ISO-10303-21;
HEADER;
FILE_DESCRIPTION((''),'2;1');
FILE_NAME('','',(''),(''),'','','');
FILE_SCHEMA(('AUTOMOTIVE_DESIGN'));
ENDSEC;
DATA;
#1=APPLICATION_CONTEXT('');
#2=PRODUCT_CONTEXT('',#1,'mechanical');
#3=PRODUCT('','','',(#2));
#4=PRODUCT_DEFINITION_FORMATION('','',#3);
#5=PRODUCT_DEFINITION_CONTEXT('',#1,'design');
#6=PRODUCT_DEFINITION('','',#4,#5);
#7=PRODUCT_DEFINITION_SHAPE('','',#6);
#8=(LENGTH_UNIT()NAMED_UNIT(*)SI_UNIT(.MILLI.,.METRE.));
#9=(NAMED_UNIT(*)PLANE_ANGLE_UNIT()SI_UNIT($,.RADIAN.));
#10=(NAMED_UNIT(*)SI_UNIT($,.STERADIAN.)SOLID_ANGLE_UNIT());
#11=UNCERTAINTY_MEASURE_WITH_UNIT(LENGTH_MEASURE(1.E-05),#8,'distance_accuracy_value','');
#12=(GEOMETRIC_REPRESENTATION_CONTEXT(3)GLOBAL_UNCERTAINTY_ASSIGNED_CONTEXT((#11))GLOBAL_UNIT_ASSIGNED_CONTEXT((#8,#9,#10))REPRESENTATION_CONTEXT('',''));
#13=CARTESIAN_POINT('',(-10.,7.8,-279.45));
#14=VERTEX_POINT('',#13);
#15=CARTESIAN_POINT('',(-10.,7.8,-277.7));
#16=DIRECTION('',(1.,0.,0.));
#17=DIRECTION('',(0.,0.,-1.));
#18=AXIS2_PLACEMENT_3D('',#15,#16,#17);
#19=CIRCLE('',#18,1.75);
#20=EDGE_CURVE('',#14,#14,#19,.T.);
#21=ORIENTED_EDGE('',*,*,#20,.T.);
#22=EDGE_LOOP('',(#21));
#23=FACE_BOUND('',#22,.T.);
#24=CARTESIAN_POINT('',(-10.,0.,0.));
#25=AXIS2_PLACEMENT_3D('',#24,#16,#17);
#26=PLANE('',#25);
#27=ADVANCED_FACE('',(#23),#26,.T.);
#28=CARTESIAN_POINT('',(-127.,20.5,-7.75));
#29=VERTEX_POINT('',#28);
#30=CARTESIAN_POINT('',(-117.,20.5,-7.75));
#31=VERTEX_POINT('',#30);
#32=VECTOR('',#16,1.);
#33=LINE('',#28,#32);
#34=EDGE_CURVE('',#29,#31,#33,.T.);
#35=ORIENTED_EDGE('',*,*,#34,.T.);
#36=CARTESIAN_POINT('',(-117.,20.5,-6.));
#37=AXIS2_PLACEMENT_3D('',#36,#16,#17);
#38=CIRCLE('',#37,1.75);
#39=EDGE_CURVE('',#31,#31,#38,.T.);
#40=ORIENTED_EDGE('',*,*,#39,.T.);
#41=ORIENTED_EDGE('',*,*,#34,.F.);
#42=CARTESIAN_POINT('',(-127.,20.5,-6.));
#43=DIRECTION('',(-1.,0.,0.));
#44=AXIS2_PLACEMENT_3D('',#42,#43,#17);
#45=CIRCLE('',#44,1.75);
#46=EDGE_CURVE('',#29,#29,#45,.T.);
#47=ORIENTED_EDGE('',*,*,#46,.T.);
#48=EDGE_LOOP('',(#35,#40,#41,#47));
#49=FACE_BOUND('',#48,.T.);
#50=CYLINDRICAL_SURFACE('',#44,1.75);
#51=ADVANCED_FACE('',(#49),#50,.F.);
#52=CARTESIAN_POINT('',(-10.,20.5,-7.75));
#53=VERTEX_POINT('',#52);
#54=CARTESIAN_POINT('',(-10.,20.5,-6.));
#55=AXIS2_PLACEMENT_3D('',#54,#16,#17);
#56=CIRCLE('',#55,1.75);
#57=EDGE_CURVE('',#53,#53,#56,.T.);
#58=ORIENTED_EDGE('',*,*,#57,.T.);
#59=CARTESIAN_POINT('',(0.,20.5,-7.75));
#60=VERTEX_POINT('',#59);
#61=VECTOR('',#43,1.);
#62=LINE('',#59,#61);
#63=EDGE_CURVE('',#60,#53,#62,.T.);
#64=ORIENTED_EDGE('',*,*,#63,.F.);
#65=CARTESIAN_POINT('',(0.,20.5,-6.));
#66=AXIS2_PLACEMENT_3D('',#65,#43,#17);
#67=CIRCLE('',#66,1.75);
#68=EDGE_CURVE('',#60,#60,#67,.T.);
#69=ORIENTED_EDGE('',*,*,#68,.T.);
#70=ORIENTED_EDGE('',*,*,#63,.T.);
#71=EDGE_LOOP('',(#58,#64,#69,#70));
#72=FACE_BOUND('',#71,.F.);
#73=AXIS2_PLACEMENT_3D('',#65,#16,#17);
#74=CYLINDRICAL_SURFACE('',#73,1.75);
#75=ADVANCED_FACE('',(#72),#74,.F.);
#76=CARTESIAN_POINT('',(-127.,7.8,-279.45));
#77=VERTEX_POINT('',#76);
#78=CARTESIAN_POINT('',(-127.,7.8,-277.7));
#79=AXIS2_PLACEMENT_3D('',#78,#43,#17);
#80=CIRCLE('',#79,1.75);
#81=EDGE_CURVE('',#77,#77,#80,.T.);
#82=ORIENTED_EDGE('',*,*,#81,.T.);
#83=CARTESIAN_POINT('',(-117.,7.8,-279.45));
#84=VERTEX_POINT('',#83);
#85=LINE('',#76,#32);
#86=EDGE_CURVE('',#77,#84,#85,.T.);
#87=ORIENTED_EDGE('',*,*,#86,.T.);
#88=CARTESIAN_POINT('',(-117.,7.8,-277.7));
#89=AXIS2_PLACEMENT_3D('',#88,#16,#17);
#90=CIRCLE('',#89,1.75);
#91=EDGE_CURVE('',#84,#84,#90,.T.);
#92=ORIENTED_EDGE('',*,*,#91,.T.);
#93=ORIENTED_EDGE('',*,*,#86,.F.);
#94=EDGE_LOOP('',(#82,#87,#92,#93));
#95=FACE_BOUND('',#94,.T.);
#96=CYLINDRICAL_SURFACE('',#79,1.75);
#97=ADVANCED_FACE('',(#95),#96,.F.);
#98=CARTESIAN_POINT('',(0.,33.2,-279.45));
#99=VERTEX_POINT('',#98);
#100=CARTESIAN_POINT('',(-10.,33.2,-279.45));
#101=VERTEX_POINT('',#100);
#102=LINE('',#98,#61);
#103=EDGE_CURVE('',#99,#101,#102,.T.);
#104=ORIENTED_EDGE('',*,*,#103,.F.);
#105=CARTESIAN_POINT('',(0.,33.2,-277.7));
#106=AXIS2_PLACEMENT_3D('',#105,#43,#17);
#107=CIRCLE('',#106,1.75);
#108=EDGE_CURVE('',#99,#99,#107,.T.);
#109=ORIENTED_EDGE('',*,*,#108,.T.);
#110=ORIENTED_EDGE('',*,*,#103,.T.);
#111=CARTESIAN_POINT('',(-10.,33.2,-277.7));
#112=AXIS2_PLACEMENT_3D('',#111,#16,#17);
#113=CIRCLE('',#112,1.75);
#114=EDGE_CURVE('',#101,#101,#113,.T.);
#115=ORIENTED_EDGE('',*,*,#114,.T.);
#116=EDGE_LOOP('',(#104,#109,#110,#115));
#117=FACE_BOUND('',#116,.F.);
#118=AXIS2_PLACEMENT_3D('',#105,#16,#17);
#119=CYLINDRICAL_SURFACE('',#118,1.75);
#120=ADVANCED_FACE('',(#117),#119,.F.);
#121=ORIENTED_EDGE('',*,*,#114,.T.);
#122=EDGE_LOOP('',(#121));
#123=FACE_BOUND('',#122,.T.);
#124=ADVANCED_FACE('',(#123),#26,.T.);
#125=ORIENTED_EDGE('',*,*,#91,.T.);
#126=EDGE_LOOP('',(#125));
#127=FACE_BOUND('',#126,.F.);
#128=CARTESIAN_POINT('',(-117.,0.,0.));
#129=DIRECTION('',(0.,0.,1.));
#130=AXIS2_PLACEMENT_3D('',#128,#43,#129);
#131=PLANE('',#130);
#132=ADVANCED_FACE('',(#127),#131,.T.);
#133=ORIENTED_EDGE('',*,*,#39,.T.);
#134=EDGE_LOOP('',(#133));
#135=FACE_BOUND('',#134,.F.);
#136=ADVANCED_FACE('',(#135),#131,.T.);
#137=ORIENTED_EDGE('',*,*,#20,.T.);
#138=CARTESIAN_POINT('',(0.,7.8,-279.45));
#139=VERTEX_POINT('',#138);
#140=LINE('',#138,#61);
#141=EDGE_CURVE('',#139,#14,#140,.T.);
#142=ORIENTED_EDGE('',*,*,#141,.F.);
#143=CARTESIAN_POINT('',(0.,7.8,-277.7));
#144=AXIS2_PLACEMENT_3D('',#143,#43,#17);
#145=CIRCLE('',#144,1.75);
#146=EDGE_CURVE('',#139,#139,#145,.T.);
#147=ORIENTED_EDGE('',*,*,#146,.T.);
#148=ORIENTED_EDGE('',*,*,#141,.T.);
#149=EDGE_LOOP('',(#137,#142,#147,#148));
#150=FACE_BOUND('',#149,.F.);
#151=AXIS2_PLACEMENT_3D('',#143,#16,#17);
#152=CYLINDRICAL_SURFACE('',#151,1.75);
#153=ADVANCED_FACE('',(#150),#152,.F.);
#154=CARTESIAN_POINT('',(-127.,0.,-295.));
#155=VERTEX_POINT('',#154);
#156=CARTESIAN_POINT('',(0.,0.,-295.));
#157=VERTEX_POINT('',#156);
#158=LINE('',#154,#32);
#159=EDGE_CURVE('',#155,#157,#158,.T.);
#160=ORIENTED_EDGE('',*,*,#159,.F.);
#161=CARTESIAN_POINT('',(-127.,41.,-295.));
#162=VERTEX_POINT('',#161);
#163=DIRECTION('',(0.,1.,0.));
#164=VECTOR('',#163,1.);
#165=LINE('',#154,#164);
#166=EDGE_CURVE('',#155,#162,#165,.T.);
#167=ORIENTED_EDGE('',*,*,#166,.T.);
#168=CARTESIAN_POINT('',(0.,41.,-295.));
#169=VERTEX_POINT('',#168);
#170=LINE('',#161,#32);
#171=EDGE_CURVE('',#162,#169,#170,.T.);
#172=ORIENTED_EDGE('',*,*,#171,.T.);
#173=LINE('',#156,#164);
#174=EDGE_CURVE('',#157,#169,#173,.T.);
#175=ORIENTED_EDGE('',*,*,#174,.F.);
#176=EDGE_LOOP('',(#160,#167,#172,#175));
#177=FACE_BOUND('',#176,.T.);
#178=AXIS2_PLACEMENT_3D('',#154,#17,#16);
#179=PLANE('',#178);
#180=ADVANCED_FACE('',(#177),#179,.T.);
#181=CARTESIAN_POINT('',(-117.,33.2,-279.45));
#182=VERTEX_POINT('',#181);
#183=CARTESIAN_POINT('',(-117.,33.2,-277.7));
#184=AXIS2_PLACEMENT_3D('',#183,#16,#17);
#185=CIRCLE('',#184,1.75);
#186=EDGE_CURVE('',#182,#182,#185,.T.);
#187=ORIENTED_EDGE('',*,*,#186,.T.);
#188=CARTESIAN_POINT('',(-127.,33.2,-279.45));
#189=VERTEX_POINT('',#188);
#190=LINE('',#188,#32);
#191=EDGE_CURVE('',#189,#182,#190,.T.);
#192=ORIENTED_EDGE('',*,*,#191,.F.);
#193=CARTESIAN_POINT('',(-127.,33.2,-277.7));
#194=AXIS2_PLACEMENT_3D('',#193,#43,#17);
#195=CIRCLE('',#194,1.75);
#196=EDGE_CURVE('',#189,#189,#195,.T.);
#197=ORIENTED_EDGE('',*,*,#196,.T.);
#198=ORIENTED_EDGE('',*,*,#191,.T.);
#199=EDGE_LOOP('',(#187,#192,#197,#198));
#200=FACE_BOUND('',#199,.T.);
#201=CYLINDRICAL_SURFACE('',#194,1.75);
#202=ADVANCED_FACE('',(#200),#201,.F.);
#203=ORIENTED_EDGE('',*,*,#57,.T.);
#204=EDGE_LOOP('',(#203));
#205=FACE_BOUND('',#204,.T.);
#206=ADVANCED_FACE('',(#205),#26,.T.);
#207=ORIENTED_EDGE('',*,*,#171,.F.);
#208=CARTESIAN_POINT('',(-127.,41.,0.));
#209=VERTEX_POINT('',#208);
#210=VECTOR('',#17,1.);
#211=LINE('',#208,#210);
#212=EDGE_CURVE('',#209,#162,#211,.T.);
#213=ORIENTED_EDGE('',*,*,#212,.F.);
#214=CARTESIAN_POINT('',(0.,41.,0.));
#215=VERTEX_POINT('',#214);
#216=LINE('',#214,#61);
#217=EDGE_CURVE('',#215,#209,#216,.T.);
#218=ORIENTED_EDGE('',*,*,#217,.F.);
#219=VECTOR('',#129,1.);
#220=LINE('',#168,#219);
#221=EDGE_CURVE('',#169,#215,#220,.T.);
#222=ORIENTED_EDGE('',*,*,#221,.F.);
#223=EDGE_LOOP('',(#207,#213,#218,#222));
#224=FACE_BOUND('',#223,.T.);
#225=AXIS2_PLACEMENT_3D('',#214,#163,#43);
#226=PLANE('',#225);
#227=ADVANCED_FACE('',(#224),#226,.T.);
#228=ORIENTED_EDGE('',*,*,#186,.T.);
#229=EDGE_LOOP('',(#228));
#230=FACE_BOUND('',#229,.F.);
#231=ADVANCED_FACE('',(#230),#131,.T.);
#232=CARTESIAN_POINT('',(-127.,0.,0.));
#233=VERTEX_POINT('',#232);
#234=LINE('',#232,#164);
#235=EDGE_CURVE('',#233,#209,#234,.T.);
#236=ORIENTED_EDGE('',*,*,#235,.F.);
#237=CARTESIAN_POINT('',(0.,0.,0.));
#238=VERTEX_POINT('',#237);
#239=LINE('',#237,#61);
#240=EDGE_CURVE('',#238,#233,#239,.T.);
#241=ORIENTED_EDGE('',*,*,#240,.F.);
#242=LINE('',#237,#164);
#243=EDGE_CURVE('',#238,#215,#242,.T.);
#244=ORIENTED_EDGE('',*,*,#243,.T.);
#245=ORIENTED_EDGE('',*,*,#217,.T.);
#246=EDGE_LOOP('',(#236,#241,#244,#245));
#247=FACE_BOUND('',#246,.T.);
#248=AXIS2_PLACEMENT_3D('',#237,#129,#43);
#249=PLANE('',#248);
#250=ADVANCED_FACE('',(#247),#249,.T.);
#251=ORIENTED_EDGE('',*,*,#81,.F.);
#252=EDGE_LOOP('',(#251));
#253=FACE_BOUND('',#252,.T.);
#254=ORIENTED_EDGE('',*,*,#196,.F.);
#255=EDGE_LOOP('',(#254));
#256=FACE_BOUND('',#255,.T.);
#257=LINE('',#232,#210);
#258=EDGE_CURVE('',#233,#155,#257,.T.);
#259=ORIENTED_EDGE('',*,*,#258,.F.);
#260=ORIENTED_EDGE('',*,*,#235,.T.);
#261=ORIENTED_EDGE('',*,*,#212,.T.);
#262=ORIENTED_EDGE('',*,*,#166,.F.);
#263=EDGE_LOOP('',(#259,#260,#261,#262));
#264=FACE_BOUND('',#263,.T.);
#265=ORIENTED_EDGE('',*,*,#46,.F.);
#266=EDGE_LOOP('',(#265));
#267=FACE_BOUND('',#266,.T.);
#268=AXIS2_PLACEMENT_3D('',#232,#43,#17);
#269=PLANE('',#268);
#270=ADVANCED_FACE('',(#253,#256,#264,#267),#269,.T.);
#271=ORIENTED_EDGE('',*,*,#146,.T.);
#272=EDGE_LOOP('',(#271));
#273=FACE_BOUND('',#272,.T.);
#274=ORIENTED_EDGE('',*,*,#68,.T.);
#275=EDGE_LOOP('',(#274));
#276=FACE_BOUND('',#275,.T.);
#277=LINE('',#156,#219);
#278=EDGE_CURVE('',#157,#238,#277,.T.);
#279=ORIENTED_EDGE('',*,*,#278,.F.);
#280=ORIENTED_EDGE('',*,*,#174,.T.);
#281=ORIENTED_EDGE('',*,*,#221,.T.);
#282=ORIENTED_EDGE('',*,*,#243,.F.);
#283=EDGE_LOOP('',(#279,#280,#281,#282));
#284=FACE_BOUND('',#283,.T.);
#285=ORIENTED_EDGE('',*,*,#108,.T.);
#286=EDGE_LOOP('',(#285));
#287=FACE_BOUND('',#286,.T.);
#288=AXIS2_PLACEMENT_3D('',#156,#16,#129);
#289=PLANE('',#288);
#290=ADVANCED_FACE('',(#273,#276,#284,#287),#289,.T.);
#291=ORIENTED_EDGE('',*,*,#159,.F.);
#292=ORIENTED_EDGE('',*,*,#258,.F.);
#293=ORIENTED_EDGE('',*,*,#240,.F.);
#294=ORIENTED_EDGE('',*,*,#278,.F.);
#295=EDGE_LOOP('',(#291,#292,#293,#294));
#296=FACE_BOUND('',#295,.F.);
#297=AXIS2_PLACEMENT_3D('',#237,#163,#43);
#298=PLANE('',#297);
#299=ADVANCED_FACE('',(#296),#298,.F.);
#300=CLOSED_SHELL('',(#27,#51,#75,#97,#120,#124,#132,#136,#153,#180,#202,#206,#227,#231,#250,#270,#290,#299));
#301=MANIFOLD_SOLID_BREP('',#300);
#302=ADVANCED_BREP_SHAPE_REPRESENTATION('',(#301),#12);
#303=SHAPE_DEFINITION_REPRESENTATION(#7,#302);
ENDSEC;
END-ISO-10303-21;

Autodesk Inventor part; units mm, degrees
ref_plane "XZ Plane" through (0, 0, 0) normal (0, 1, 0) x (-1, 0, 0)
ref_plane "XY Plane" through (0, 0, 0) normal (0, 0, 1) x (1, 0, 0)
sketch "Sketch1" plane through (0, 0, 0) normal (0, 1, 0) x (-1, 0, 0)
  line L0 (0, 0) -> (127, 0)
  line L1 (127, 0) -> (127, -295)
  line L2 (127, -295) -> (0, -295)
  line L3 (0, -295) -> (0, 0)
  dimension "d0" = 127
  dimension "d1" = 295
extrude "Extrusion1" add sketch "Sketch1" along normal blind 41
sketch "Sketch2" plane through (0, 0, 0) normal (1, 0, 0) x (0, 0, -1)
  line L0 (0, 0) -> (0, 20.5)
  line L1 (0, 0) -> (0, 41) projected
  line L2 (0, 20.5) -> (6, 20.5)
  circle A0 centre (6, 20.5) radius 1.75
  line L3 (295, 0) -> (0, 0) projected
  line L4 (295, 0) -> (295, 7.8)
  line L5 (295, 0) -> (295, 41) projected
  line L6 (0, 0) -> (277.7, 0)
  line L7 (277.7, 0) -> (277.7, 7.8)
  line L8 (277.7, 7.8) -> (277.7, 33.2)
  circle A1 centre (277.7, 7.8) radius 1.75
  circle A2 centre (277.7, 33.2) radius 1.75
  dimension "d4" = 20.5
  dimension "d5" = 6
  dimension "d6" = 3.5
  dimension "d7" = 7.8
  dimension "d8" = 277.7
  dimension "d9" = 7.8
  dimension "d10" = 25.4
  dimension "d11" = 3.5
  dimension "d12" = 3.5
extrude "Extrusion2" cut sketch "Sketch2" against normal blind 10
ref_plane "Work Plane1" through (-63.5, 0, 0) normal (1, 0, 0) x (0, 1, 0)
mirror "Mirror1" about plane through (-63.5, 0, 0) normal (1, 0, 0) of "Extrusion2"
properties part number "RSP-1000PS"
